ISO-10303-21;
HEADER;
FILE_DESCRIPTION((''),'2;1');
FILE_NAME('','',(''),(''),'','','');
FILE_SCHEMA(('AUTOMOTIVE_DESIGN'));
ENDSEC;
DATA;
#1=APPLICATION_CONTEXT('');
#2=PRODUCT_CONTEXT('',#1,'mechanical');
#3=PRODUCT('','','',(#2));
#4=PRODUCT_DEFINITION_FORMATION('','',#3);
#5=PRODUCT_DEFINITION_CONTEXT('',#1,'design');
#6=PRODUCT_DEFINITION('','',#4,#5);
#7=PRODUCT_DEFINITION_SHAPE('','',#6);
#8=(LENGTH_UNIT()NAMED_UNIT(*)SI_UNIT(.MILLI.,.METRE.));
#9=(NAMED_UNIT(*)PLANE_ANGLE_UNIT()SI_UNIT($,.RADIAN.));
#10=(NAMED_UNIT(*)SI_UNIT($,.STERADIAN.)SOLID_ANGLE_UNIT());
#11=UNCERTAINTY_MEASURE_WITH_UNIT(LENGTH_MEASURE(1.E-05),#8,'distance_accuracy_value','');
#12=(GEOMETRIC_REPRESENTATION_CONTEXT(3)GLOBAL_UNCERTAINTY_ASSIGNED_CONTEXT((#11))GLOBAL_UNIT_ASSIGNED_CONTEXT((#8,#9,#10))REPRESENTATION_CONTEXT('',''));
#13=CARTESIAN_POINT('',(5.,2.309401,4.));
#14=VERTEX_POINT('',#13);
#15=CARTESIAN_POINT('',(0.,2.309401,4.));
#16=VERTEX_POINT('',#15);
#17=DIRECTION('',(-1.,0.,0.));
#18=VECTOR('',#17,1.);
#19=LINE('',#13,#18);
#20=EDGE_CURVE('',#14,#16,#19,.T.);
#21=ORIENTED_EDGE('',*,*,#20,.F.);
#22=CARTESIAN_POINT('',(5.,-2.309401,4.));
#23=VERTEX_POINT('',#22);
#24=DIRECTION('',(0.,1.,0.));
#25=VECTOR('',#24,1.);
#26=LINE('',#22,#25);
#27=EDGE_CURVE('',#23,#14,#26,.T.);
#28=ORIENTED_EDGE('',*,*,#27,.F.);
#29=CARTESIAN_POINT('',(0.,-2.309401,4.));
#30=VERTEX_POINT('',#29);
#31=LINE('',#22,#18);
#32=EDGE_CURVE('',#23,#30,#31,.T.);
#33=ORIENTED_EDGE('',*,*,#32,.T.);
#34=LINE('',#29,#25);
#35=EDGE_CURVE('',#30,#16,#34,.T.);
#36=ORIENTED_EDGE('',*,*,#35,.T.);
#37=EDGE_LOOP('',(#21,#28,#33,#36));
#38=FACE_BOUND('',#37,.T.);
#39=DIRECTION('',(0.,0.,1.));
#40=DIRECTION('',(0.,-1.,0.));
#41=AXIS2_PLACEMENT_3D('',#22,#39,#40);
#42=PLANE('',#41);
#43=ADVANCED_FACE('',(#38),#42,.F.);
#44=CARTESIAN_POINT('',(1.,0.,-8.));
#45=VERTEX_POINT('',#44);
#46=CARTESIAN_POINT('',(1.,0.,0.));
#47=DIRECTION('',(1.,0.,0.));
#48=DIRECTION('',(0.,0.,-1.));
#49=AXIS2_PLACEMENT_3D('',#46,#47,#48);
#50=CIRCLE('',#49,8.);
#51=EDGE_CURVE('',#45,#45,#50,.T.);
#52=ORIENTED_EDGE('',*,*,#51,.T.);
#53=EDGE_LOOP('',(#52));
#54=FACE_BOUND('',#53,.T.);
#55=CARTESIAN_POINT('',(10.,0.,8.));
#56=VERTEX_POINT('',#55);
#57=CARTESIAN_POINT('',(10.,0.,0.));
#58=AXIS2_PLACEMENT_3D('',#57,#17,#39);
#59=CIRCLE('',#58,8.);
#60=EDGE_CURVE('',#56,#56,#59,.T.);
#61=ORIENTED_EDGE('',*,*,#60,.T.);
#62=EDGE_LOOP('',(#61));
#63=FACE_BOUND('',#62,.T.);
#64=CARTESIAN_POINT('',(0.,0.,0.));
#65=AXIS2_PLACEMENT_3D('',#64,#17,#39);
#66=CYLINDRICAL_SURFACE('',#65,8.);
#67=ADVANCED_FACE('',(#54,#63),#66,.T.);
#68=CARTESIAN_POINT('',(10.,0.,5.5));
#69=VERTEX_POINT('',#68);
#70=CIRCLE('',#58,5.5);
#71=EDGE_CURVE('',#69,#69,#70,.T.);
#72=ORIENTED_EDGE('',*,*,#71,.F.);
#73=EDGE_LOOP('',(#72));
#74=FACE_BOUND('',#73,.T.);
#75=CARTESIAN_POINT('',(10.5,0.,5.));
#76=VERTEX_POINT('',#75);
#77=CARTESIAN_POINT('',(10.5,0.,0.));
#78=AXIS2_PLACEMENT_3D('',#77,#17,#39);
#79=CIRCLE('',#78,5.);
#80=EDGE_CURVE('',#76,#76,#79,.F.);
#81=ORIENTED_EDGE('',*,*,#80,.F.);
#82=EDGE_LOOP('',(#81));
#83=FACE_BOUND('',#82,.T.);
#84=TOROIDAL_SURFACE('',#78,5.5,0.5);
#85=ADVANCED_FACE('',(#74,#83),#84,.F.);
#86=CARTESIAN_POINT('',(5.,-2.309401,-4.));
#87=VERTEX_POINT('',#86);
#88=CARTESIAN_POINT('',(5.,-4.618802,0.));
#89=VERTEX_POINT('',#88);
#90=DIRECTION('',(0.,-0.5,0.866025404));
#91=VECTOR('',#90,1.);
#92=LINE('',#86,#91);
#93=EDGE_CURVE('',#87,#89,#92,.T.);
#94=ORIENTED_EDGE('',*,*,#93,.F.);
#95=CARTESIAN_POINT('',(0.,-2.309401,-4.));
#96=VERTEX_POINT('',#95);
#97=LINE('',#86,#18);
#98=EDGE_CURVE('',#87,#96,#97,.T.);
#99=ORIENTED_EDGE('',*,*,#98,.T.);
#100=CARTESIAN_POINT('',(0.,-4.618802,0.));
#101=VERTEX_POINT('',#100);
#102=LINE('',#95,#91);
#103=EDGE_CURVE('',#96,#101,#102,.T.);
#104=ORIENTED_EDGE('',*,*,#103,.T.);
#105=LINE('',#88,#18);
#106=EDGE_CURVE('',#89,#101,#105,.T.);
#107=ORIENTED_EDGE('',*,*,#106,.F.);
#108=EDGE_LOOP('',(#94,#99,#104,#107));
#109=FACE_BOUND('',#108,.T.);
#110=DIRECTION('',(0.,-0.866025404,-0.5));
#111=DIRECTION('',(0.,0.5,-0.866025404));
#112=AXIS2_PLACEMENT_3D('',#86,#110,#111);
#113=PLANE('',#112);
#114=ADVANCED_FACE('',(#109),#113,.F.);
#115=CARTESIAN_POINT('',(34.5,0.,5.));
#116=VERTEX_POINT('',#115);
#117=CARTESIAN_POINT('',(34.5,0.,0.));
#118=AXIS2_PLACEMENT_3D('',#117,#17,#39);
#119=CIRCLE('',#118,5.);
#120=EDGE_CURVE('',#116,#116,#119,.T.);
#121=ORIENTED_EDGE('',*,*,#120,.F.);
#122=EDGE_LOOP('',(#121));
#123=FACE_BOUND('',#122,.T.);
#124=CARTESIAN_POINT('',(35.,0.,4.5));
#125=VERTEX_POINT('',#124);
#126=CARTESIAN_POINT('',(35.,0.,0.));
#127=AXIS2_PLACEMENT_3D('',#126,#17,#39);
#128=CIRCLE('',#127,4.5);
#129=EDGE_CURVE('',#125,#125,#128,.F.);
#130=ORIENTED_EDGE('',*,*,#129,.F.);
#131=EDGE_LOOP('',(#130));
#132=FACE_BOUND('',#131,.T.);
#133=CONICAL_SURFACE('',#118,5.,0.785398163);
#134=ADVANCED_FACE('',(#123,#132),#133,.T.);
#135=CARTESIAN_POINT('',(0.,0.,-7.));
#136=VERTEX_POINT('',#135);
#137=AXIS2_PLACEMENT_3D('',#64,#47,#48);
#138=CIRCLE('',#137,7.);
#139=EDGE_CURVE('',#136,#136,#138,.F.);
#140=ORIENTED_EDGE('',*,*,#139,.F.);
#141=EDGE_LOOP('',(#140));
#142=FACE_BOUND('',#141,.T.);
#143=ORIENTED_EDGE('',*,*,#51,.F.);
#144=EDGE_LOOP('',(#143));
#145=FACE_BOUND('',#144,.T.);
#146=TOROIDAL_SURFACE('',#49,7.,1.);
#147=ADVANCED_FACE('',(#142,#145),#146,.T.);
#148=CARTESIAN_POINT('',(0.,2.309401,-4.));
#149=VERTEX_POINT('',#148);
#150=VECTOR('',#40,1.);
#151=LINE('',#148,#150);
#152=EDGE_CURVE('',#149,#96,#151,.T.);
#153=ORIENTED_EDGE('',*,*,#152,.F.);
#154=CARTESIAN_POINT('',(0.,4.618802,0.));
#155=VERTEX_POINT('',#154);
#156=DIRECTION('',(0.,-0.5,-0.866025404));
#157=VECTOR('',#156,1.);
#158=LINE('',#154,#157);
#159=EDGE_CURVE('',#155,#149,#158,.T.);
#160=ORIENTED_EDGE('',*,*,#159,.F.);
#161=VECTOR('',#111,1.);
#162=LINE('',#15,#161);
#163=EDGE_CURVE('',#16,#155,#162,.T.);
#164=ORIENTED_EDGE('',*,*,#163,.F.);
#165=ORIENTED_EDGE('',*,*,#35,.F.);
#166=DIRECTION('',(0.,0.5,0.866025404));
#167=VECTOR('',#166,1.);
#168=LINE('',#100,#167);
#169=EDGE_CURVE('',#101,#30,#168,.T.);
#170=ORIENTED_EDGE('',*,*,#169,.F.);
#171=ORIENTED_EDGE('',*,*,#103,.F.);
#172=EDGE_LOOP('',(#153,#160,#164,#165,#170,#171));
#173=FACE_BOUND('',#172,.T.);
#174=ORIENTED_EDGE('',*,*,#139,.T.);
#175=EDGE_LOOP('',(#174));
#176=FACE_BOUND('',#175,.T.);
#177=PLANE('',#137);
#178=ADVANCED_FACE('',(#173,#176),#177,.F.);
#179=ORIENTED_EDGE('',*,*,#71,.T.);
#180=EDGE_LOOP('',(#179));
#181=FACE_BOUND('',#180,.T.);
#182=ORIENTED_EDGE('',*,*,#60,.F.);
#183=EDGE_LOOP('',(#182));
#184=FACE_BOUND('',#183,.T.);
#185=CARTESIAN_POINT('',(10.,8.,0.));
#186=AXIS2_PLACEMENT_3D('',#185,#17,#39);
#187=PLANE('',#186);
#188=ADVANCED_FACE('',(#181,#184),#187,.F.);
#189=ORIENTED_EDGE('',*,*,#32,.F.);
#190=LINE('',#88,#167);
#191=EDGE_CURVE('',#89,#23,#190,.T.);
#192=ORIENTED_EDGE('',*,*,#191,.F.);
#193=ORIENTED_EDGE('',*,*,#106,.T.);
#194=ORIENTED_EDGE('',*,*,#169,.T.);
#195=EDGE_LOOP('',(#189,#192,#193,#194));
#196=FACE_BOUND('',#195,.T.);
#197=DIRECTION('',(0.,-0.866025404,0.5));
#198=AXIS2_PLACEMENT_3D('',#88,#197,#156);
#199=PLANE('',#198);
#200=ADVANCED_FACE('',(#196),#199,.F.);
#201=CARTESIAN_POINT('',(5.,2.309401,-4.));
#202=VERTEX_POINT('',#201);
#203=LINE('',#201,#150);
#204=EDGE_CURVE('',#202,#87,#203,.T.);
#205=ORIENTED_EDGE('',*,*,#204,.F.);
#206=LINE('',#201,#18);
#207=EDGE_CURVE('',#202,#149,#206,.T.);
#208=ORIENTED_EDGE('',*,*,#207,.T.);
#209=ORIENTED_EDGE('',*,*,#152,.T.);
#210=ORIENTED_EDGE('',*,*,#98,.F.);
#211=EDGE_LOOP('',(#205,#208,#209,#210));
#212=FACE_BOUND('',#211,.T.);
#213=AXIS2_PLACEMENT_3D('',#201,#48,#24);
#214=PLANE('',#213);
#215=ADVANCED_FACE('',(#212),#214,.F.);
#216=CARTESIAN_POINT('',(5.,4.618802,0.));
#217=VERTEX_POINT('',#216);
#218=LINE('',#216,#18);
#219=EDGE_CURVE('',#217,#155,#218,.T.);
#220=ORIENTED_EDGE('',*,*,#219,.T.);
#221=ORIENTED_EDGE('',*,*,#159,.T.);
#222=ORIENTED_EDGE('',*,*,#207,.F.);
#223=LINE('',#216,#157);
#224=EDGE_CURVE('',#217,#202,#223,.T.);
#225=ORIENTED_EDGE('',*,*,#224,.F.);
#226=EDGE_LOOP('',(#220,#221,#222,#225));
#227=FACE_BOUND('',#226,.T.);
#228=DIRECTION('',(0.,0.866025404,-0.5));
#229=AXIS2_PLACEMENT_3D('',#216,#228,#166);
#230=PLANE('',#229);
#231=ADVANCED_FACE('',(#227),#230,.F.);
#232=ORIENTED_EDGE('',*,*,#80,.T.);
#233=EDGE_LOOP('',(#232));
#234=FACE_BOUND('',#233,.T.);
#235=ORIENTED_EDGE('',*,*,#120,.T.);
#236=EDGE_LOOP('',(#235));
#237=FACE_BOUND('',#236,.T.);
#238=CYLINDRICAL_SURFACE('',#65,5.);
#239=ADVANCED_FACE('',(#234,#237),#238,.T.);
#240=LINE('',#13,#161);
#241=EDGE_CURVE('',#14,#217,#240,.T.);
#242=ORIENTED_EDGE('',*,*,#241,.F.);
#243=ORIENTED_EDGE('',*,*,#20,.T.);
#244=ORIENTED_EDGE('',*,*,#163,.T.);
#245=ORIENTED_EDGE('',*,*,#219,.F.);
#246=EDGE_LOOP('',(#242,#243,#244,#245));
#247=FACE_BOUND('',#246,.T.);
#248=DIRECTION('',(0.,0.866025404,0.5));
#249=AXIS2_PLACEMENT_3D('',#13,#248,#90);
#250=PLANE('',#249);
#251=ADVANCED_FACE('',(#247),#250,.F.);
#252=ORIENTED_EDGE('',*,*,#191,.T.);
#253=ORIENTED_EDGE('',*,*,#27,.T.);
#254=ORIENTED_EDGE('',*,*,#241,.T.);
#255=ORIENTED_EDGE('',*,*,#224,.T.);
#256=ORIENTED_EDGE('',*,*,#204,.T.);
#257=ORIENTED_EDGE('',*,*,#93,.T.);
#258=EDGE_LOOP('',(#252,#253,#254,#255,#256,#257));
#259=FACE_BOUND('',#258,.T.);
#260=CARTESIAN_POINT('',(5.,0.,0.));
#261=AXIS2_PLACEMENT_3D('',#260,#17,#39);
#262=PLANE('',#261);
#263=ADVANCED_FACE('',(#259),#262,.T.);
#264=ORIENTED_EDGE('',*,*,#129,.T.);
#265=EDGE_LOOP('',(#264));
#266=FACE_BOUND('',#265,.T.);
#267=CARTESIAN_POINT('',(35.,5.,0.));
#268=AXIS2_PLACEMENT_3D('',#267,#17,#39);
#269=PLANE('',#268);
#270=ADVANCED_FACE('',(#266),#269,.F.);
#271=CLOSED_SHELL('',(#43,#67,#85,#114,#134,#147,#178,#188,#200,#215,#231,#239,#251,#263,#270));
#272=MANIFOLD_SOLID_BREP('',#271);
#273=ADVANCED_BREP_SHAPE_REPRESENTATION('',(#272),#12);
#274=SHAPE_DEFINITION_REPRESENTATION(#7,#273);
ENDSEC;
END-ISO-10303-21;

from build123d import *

# Parameters (mm, degrees)
CORTAR_EXTRUIR1_DEPTH = 5
REDONDEO1_R           = 1
REDONDEO2_R           = 0.5
CHAFL_N1_SIZE         = 0.5


with BuildPart() as part:
    # Croquis1 → Revolución1 (revolve)
    with BuildSketch(Plane.XY, mode=Mode.PRIVATE) as revoluci_n1_sk:
        Polygon((0, 0), (0, 8), (10, 8), (10, 5), (35, 5), (35, 0), align=None)
    revolve(revoluci_n1_sk.sketch.rotate(Axis((0, 0, 0), (1, 0, 0)), 90), axis=Axis((0, 0, 0), (1, 0, 0)))

    # Croquis2 → Cortar-Extruir1 (cut)
    with BuildSketch(Plane.ZY):
        Polygon((0, 4.618802154), (-4, 2.309401077), (-4, -2.309401077), (0, -4.618802154), (4, -2.309401077), (4, 2.309401077), align=None)
    extrude(amount=-CORTAR_EXTRUIR1_DEPTH, mode=Mode.SUBTRACT)

    # Redondeo1
    redondeo1_edges = [part.edges().sort_by_distance(p)[0] for p in [
        (0, 0, -8),
    ]]
    fillet(redondeo1_edges, radius=REDONDEO1_R)

    # Redondeo2
    redondeo2_edges = [part.edges().sort_by_distance(p)[0] for p in [
        (10, 0, -5),
    ]]
    fillet(redondeo2_edges, radius=REDONDEO2_R)

    # Chaflán1
    chafl_n1_edges = [part.edges().sort_by_distance(p)[0] for p in [
        (35, 0, -5),
    ]]
    chamfer(chafl_n1_edges, length=CHAFL_N1_SIZE)


solid = part.part
